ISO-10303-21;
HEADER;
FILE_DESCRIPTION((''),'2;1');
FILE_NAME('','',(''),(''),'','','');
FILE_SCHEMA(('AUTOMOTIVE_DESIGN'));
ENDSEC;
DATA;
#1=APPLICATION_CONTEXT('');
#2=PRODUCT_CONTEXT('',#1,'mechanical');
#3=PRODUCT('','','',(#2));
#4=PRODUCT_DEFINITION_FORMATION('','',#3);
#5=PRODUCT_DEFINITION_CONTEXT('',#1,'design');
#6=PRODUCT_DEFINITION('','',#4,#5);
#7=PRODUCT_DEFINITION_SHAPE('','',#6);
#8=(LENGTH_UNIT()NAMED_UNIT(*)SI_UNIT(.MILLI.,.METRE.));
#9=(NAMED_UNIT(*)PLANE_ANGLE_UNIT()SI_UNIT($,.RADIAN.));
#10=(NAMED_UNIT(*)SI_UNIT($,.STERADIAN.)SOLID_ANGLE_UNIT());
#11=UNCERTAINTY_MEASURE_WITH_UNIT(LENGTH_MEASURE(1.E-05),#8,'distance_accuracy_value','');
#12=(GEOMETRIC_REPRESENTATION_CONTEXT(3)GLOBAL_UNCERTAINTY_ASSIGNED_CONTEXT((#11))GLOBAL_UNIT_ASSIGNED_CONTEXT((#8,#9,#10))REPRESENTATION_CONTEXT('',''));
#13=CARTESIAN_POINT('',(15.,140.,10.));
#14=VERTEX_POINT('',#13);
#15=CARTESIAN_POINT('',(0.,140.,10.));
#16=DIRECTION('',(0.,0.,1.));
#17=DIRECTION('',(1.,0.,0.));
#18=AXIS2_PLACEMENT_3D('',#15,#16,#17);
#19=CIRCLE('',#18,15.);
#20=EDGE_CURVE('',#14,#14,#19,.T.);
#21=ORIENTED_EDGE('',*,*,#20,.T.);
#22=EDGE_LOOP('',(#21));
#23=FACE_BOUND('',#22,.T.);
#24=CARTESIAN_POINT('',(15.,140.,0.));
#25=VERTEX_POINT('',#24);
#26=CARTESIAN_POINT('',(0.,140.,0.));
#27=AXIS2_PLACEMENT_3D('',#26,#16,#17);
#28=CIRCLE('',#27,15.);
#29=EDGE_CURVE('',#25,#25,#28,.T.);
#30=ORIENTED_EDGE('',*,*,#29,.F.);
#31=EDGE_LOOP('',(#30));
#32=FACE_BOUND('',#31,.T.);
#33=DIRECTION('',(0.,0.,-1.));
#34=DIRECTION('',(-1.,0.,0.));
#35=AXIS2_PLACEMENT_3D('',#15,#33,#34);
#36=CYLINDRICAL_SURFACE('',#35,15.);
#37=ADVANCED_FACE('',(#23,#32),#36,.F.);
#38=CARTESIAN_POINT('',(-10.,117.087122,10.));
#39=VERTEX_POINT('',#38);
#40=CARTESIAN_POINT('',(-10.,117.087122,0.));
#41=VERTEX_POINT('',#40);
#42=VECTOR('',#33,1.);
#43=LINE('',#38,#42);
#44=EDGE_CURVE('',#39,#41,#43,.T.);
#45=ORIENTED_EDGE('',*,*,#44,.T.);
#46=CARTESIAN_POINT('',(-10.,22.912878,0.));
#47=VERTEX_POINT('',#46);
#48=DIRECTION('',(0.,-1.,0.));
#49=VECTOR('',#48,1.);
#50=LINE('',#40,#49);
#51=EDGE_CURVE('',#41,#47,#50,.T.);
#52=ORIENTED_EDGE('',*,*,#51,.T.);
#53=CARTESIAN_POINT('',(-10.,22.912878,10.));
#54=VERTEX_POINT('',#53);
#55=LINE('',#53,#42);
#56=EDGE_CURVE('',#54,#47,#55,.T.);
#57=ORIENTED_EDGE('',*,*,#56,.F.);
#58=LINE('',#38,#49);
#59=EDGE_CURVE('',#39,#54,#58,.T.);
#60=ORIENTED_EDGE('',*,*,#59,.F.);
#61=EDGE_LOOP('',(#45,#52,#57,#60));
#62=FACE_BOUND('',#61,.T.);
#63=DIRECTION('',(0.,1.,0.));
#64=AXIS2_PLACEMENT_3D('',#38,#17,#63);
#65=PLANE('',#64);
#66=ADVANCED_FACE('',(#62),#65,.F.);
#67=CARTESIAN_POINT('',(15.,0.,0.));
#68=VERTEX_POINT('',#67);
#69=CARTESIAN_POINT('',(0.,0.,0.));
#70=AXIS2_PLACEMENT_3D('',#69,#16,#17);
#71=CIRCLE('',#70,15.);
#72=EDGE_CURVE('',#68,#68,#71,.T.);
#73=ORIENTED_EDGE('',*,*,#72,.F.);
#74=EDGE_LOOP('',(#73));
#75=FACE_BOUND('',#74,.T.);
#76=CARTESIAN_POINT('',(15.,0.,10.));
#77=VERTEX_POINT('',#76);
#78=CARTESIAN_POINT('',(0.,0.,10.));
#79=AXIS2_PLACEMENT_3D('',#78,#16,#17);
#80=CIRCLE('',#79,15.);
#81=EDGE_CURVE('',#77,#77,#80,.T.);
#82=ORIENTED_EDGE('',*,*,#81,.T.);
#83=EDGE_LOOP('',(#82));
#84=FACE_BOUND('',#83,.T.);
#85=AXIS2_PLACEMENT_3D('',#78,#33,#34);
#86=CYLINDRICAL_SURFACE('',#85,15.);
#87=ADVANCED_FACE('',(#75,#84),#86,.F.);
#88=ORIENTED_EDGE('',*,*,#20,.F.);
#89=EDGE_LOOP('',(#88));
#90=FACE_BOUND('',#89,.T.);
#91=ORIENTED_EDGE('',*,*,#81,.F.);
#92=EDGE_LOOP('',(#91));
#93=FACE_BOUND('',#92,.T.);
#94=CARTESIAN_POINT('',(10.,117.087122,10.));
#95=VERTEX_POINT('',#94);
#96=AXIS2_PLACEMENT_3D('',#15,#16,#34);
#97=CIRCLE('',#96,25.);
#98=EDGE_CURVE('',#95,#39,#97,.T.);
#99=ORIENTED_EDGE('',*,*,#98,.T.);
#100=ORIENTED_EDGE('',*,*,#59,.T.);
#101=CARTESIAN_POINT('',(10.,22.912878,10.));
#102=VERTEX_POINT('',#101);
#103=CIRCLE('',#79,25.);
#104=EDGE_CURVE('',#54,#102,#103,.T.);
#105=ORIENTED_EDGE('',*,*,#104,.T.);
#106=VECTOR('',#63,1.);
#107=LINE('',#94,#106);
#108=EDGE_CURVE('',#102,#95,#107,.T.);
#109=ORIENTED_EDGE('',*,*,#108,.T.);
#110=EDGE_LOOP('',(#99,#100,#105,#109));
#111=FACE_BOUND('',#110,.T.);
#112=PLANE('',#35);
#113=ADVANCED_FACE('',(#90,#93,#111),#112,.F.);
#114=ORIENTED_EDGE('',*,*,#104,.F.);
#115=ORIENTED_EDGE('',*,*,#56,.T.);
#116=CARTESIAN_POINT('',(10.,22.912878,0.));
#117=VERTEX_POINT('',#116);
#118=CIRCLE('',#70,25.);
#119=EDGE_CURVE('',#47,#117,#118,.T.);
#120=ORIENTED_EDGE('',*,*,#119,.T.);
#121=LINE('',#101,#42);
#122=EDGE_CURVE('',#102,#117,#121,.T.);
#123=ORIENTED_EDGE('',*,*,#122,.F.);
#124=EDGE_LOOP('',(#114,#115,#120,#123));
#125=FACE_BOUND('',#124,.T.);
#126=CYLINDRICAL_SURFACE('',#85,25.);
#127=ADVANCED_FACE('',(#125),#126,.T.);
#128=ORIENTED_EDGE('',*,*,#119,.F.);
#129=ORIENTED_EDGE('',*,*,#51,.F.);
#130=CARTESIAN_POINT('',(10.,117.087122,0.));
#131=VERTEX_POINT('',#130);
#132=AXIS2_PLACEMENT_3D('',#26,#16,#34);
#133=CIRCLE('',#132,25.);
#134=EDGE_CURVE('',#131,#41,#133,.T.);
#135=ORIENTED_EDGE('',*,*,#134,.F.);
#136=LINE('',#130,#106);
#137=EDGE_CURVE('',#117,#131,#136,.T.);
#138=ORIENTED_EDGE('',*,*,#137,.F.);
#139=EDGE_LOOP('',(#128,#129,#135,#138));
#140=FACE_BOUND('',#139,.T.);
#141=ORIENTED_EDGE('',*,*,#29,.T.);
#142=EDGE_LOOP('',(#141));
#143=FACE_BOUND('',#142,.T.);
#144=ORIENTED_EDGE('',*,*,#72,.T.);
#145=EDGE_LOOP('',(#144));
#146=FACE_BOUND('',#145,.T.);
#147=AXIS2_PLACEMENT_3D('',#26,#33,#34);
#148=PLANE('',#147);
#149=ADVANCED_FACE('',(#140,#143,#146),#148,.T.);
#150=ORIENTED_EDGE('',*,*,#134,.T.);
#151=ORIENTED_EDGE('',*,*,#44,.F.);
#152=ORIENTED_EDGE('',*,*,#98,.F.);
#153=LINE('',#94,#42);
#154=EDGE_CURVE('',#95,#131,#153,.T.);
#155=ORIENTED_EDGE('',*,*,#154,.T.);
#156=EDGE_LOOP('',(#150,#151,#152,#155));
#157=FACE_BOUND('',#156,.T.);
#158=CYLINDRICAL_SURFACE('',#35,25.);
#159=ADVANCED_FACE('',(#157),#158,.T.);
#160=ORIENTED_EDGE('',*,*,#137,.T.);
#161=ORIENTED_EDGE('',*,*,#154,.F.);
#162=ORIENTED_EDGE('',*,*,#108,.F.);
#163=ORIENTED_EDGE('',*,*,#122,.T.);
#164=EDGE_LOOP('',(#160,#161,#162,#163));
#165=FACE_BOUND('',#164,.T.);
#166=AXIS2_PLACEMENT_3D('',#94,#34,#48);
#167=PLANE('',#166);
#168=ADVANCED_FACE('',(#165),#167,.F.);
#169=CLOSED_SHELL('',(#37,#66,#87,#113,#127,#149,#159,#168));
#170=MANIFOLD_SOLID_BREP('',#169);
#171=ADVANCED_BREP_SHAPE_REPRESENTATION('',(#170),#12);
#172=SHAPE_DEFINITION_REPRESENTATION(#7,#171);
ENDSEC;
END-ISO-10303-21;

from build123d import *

# Parameters (mm, degrees)
ESQUISSE1_R        = 15
BOSS_EXTRU_1_DEPTH = 10


with BuildPart() as part:
    # Esquisse1 → Boss.-Extru.1 (new body)
    with BuildSketch(Plane.XY):
        with BuildLine():
            Line((-10, 117.087121525), (-10, 22.912878475))
            ThreePointArc((-10, 22.912878475), (0, -25), (10, 22.912878475))
            Line((10, 22.912878475), (10, 117.087121525))
            ThreePointArc((10, 117.087121525), (0, 165), (-10, 117.087121525))
        make_face()
        Circle(ESQUISSE1_R, mode=Mode.SUBTRACT)
        with Locations((0, 140)):
            Circle(ESQUISSE1_R, mode=Mode.SUBTRACT)
    extrude(amount=BOSS_EXTRU_1_DEPTH)


solid = part.part
